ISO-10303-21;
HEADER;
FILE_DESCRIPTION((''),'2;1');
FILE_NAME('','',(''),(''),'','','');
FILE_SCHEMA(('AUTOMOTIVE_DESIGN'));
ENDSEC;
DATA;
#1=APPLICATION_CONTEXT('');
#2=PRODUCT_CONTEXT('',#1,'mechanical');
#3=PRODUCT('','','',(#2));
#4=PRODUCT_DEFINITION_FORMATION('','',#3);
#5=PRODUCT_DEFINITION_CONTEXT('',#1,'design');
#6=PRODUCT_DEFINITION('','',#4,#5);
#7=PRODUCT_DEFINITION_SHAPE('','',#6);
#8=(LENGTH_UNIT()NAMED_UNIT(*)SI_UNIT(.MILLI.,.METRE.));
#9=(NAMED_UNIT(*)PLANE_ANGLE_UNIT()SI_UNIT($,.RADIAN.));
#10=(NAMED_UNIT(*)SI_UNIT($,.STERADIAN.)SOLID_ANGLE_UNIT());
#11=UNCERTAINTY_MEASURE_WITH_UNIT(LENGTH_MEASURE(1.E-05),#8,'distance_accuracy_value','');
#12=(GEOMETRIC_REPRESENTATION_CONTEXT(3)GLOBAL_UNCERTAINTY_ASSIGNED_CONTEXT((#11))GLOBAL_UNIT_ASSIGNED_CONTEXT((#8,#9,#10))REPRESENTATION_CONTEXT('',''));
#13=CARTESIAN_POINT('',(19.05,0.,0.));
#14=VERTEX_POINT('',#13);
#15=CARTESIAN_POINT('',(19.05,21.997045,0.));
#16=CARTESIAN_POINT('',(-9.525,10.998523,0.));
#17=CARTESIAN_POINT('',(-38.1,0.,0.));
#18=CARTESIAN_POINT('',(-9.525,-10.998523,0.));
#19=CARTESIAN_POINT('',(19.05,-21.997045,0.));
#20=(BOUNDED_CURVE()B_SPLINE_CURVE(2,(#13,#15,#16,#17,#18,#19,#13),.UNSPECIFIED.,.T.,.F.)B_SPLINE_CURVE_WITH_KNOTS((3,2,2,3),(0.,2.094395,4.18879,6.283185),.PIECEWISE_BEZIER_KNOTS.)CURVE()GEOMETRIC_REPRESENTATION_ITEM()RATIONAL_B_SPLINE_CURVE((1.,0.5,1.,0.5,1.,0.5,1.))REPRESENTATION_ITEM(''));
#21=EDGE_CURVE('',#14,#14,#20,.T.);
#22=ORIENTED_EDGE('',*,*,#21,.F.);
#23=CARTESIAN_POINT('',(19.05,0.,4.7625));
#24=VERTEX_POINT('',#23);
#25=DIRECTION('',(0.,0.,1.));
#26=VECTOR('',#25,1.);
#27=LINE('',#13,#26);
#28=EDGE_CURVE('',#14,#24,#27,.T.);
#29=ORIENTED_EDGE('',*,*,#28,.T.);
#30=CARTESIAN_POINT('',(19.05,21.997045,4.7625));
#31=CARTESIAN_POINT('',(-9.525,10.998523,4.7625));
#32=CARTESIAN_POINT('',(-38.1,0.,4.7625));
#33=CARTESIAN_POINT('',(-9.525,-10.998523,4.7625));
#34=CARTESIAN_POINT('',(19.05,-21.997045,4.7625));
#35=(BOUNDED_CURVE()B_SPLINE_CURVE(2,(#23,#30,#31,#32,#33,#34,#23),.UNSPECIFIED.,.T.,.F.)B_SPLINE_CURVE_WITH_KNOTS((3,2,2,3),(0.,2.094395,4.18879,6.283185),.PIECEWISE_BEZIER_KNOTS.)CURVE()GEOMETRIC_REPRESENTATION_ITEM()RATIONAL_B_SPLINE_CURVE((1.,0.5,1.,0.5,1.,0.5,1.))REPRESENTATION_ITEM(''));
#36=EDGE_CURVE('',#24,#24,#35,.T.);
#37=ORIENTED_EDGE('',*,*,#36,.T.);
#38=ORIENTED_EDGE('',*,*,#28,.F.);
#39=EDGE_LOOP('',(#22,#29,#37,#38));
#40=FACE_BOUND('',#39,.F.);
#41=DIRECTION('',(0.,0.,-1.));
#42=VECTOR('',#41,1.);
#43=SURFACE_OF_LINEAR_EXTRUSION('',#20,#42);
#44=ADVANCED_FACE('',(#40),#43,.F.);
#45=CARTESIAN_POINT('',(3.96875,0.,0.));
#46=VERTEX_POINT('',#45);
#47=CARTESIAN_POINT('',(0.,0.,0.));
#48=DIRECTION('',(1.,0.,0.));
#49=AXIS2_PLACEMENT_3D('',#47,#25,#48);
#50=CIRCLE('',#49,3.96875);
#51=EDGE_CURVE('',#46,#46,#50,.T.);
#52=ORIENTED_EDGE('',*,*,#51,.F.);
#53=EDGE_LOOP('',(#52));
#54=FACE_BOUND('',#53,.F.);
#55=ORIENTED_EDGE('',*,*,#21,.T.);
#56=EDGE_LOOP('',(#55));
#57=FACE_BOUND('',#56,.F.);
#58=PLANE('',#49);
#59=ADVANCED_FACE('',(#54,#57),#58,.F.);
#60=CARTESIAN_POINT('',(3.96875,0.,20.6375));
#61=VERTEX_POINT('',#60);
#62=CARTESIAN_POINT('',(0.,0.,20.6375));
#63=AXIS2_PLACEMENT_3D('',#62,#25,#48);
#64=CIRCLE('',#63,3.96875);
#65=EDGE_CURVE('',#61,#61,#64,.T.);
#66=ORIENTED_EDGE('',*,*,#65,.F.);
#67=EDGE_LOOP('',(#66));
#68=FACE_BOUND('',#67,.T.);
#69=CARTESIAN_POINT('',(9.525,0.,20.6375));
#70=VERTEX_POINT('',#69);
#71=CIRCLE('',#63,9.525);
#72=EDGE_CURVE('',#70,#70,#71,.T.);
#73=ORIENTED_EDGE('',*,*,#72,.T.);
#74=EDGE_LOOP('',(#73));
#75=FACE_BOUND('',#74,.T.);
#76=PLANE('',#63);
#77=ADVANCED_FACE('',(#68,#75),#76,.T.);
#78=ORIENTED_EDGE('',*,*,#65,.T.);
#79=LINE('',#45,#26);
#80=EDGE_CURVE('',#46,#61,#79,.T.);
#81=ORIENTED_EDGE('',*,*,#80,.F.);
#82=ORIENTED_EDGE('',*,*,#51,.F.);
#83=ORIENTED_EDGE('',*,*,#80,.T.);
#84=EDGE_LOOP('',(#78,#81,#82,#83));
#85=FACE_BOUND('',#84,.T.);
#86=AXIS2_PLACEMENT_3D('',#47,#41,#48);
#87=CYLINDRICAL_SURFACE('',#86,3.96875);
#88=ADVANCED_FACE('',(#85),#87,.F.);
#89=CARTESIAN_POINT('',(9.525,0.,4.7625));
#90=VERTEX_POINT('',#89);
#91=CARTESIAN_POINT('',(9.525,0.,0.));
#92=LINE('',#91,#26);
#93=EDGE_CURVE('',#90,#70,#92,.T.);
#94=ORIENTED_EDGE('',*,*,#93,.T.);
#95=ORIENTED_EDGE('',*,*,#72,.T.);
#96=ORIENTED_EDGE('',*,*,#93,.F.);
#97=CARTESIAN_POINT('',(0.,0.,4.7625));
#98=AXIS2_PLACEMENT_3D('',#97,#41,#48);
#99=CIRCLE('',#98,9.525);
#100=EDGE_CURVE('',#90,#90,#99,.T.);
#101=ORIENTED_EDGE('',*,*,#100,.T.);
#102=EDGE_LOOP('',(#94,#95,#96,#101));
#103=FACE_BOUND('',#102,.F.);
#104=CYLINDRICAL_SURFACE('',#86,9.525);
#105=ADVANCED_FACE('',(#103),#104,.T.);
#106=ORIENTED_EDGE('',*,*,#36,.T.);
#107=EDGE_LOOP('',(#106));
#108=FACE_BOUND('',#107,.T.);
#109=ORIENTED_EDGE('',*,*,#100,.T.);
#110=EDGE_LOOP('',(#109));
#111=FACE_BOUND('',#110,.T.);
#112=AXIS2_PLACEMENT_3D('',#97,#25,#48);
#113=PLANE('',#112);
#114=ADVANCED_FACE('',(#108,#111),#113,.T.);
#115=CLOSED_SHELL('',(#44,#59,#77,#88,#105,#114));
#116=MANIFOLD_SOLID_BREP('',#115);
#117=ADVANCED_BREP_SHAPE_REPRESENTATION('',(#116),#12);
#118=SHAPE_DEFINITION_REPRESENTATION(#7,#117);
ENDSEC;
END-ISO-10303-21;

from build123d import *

# Parameters (mm, degrees)
F0_R     = 9.525
F0_R_2   = 3.96875
F1_DEPTH = 4.7625
F2_DEPTH = 20.6375


with BuildPart() as f1:
    # F0 (on Top) → F1 (new body)
    with BuildSketch(Plane.XY):
        with BuildLine():
            add(Edge.make_bspline(
                [(19.05, 0), (19.05, 21.997045), (-9.525, 10.998523), (-38.1, 0), (-9.525, -10.998523), (19.05, -21.997045), (19.05, 0)],
                knots=[0, 0, 0, 2.094395, 2.094395, 4.18879, 4.18879, 6.283185, 6.283185, 6.283185], degree=2, weights=[1, 0.5, 1, 0.5, 1, 0.5, 1]))
        make_face()
        Circle(F0_R, mode=Mode.SUBTRACT)
        Circle(F0_R)
        Circle(F0_R_2, mode=Mode.SUBTRACT)
    extrude(amount=F1_DEPTH)

    # F0 (on Top) → F2 (join)
    with BuildSketch(Plane.XY):
        Circle(F0_R)
        Circle(F0_R_2, mode=Mode.SUBTRACT)
    extrude(amount=F2_DEPTH)


solid = f1.part
